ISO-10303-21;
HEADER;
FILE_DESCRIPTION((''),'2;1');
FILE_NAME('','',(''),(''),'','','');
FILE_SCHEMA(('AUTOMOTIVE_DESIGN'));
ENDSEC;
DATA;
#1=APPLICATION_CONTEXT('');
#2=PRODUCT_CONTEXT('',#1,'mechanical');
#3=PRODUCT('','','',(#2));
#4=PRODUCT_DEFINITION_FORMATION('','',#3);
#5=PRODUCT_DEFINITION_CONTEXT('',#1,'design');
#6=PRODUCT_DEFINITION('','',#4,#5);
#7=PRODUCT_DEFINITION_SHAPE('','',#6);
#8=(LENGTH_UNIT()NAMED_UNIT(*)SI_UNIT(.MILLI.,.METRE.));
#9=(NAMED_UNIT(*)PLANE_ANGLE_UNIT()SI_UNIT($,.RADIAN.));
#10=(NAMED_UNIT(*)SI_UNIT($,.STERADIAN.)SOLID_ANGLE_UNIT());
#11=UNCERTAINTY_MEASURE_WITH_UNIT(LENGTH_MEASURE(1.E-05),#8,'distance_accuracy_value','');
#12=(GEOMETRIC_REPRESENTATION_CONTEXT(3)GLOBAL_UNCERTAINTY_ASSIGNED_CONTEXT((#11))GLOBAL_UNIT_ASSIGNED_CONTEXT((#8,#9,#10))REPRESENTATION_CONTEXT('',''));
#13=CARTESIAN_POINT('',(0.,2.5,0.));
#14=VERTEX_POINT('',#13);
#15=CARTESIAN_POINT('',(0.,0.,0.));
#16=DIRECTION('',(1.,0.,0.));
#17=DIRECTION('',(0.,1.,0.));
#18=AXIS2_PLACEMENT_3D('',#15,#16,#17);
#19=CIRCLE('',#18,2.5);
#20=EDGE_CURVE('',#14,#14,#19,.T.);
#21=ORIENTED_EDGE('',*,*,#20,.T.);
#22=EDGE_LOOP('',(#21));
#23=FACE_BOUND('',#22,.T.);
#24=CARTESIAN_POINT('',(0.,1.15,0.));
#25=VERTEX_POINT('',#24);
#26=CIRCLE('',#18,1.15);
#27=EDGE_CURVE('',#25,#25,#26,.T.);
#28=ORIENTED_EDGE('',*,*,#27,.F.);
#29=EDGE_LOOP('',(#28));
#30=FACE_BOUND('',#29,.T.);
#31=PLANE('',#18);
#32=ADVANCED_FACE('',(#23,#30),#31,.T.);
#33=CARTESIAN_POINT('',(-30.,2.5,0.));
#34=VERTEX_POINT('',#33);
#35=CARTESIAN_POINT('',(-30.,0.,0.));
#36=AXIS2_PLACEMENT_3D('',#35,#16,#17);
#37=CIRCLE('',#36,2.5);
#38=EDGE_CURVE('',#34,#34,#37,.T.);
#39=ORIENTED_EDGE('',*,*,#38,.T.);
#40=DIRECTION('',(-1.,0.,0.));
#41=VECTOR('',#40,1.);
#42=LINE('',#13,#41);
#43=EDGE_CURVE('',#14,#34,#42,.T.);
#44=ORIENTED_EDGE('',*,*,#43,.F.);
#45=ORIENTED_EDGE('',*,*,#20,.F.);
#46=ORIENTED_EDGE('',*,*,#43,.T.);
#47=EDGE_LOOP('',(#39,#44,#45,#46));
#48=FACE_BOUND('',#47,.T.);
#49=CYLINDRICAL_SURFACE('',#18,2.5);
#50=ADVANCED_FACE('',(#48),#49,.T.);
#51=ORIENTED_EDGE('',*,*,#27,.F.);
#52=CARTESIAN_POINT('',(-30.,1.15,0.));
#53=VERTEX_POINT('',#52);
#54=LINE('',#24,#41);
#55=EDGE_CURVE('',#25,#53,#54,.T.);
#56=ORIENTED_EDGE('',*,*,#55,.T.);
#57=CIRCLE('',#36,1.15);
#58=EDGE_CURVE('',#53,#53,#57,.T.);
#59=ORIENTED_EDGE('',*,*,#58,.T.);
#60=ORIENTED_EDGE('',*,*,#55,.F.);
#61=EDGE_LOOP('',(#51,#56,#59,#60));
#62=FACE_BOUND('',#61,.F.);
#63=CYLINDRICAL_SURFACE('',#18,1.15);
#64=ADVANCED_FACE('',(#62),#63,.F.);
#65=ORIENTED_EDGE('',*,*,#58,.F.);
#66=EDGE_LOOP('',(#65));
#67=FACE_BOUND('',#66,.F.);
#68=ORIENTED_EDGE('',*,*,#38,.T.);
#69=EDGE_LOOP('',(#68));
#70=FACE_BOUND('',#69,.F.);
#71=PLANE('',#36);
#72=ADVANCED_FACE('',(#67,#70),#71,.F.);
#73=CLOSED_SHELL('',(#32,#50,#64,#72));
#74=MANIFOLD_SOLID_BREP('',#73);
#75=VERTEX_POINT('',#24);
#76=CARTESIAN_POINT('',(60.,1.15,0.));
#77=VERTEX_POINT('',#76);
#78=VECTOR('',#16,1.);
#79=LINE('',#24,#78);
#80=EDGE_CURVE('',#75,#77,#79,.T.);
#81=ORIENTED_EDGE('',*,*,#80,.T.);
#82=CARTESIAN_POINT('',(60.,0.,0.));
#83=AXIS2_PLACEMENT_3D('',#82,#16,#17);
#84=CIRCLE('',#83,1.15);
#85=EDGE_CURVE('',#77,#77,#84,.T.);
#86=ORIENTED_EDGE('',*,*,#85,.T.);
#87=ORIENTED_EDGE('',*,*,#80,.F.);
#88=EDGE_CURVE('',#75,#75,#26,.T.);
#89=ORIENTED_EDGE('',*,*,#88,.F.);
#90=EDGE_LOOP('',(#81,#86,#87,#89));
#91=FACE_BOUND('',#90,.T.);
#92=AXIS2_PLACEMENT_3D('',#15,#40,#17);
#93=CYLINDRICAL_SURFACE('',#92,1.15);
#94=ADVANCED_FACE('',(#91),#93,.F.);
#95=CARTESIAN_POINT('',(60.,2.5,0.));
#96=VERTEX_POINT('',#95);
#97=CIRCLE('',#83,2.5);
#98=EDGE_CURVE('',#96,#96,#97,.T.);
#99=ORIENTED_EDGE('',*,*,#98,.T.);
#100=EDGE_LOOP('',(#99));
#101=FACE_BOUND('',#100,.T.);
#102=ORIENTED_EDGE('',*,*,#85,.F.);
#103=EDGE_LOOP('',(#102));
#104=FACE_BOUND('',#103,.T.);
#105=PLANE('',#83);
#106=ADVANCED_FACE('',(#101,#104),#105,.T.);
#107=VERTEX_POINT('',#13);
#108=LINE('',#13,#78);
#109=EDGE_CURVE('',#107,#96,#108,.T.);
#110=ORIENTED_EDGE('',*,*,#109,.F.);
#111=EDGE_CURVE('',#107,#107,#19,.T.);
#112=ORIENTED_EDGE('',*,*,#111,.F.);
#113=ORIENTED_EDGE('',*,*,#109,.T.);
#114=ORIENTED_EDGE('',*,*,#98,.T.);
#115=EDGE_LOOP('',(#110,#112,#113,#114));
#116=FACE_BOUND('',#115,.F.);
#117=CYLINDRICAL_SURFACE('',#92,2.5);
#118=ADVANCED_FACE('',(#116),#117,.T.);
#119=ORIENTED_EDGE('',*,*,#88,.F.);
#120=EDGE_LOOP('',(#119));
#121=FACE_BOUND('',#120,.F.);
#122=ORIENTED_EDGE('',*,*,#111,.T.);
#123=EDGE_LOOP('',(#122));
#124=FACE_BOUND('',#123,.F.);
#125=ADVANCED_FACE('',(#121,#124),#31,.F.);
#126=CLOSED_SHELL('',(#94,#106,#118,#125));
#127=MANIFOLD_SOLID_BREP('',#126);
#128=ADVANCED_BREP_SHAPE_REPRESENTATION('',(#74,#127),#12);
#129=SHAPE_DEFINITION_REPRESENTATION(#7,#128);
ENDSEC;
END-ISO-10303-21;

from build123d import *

# Parameters (mm, degrees)
F0_R     = 2.5
F0_R_2   = 1.15
F1_DEPTH = 60
F2_R     = 2.5
F2_R_2   = 1.15
F3_DEPTH = 30


with BuildPart() as f1:
    # F0 (on Right) → F1 (new body)
    with BuildSketch(Plane.YZ):
        Circle(F0_R)
        Circle(F0_R_2, mode=Mode.SUBTRACT)
    extrude(amount=F1_DEPTH)


with BuildPart() as f3:
    # F2 (on Right) → F3 (new body)
    with BuildSketch(Plane.YZ):
        Circle(F2_R)
        Circle(F2_R_2, mode=Mode.SUBTRACT)
    extrude(amount=-F3_DEPTH)


solid = Compound([f1.part, f3.part])
